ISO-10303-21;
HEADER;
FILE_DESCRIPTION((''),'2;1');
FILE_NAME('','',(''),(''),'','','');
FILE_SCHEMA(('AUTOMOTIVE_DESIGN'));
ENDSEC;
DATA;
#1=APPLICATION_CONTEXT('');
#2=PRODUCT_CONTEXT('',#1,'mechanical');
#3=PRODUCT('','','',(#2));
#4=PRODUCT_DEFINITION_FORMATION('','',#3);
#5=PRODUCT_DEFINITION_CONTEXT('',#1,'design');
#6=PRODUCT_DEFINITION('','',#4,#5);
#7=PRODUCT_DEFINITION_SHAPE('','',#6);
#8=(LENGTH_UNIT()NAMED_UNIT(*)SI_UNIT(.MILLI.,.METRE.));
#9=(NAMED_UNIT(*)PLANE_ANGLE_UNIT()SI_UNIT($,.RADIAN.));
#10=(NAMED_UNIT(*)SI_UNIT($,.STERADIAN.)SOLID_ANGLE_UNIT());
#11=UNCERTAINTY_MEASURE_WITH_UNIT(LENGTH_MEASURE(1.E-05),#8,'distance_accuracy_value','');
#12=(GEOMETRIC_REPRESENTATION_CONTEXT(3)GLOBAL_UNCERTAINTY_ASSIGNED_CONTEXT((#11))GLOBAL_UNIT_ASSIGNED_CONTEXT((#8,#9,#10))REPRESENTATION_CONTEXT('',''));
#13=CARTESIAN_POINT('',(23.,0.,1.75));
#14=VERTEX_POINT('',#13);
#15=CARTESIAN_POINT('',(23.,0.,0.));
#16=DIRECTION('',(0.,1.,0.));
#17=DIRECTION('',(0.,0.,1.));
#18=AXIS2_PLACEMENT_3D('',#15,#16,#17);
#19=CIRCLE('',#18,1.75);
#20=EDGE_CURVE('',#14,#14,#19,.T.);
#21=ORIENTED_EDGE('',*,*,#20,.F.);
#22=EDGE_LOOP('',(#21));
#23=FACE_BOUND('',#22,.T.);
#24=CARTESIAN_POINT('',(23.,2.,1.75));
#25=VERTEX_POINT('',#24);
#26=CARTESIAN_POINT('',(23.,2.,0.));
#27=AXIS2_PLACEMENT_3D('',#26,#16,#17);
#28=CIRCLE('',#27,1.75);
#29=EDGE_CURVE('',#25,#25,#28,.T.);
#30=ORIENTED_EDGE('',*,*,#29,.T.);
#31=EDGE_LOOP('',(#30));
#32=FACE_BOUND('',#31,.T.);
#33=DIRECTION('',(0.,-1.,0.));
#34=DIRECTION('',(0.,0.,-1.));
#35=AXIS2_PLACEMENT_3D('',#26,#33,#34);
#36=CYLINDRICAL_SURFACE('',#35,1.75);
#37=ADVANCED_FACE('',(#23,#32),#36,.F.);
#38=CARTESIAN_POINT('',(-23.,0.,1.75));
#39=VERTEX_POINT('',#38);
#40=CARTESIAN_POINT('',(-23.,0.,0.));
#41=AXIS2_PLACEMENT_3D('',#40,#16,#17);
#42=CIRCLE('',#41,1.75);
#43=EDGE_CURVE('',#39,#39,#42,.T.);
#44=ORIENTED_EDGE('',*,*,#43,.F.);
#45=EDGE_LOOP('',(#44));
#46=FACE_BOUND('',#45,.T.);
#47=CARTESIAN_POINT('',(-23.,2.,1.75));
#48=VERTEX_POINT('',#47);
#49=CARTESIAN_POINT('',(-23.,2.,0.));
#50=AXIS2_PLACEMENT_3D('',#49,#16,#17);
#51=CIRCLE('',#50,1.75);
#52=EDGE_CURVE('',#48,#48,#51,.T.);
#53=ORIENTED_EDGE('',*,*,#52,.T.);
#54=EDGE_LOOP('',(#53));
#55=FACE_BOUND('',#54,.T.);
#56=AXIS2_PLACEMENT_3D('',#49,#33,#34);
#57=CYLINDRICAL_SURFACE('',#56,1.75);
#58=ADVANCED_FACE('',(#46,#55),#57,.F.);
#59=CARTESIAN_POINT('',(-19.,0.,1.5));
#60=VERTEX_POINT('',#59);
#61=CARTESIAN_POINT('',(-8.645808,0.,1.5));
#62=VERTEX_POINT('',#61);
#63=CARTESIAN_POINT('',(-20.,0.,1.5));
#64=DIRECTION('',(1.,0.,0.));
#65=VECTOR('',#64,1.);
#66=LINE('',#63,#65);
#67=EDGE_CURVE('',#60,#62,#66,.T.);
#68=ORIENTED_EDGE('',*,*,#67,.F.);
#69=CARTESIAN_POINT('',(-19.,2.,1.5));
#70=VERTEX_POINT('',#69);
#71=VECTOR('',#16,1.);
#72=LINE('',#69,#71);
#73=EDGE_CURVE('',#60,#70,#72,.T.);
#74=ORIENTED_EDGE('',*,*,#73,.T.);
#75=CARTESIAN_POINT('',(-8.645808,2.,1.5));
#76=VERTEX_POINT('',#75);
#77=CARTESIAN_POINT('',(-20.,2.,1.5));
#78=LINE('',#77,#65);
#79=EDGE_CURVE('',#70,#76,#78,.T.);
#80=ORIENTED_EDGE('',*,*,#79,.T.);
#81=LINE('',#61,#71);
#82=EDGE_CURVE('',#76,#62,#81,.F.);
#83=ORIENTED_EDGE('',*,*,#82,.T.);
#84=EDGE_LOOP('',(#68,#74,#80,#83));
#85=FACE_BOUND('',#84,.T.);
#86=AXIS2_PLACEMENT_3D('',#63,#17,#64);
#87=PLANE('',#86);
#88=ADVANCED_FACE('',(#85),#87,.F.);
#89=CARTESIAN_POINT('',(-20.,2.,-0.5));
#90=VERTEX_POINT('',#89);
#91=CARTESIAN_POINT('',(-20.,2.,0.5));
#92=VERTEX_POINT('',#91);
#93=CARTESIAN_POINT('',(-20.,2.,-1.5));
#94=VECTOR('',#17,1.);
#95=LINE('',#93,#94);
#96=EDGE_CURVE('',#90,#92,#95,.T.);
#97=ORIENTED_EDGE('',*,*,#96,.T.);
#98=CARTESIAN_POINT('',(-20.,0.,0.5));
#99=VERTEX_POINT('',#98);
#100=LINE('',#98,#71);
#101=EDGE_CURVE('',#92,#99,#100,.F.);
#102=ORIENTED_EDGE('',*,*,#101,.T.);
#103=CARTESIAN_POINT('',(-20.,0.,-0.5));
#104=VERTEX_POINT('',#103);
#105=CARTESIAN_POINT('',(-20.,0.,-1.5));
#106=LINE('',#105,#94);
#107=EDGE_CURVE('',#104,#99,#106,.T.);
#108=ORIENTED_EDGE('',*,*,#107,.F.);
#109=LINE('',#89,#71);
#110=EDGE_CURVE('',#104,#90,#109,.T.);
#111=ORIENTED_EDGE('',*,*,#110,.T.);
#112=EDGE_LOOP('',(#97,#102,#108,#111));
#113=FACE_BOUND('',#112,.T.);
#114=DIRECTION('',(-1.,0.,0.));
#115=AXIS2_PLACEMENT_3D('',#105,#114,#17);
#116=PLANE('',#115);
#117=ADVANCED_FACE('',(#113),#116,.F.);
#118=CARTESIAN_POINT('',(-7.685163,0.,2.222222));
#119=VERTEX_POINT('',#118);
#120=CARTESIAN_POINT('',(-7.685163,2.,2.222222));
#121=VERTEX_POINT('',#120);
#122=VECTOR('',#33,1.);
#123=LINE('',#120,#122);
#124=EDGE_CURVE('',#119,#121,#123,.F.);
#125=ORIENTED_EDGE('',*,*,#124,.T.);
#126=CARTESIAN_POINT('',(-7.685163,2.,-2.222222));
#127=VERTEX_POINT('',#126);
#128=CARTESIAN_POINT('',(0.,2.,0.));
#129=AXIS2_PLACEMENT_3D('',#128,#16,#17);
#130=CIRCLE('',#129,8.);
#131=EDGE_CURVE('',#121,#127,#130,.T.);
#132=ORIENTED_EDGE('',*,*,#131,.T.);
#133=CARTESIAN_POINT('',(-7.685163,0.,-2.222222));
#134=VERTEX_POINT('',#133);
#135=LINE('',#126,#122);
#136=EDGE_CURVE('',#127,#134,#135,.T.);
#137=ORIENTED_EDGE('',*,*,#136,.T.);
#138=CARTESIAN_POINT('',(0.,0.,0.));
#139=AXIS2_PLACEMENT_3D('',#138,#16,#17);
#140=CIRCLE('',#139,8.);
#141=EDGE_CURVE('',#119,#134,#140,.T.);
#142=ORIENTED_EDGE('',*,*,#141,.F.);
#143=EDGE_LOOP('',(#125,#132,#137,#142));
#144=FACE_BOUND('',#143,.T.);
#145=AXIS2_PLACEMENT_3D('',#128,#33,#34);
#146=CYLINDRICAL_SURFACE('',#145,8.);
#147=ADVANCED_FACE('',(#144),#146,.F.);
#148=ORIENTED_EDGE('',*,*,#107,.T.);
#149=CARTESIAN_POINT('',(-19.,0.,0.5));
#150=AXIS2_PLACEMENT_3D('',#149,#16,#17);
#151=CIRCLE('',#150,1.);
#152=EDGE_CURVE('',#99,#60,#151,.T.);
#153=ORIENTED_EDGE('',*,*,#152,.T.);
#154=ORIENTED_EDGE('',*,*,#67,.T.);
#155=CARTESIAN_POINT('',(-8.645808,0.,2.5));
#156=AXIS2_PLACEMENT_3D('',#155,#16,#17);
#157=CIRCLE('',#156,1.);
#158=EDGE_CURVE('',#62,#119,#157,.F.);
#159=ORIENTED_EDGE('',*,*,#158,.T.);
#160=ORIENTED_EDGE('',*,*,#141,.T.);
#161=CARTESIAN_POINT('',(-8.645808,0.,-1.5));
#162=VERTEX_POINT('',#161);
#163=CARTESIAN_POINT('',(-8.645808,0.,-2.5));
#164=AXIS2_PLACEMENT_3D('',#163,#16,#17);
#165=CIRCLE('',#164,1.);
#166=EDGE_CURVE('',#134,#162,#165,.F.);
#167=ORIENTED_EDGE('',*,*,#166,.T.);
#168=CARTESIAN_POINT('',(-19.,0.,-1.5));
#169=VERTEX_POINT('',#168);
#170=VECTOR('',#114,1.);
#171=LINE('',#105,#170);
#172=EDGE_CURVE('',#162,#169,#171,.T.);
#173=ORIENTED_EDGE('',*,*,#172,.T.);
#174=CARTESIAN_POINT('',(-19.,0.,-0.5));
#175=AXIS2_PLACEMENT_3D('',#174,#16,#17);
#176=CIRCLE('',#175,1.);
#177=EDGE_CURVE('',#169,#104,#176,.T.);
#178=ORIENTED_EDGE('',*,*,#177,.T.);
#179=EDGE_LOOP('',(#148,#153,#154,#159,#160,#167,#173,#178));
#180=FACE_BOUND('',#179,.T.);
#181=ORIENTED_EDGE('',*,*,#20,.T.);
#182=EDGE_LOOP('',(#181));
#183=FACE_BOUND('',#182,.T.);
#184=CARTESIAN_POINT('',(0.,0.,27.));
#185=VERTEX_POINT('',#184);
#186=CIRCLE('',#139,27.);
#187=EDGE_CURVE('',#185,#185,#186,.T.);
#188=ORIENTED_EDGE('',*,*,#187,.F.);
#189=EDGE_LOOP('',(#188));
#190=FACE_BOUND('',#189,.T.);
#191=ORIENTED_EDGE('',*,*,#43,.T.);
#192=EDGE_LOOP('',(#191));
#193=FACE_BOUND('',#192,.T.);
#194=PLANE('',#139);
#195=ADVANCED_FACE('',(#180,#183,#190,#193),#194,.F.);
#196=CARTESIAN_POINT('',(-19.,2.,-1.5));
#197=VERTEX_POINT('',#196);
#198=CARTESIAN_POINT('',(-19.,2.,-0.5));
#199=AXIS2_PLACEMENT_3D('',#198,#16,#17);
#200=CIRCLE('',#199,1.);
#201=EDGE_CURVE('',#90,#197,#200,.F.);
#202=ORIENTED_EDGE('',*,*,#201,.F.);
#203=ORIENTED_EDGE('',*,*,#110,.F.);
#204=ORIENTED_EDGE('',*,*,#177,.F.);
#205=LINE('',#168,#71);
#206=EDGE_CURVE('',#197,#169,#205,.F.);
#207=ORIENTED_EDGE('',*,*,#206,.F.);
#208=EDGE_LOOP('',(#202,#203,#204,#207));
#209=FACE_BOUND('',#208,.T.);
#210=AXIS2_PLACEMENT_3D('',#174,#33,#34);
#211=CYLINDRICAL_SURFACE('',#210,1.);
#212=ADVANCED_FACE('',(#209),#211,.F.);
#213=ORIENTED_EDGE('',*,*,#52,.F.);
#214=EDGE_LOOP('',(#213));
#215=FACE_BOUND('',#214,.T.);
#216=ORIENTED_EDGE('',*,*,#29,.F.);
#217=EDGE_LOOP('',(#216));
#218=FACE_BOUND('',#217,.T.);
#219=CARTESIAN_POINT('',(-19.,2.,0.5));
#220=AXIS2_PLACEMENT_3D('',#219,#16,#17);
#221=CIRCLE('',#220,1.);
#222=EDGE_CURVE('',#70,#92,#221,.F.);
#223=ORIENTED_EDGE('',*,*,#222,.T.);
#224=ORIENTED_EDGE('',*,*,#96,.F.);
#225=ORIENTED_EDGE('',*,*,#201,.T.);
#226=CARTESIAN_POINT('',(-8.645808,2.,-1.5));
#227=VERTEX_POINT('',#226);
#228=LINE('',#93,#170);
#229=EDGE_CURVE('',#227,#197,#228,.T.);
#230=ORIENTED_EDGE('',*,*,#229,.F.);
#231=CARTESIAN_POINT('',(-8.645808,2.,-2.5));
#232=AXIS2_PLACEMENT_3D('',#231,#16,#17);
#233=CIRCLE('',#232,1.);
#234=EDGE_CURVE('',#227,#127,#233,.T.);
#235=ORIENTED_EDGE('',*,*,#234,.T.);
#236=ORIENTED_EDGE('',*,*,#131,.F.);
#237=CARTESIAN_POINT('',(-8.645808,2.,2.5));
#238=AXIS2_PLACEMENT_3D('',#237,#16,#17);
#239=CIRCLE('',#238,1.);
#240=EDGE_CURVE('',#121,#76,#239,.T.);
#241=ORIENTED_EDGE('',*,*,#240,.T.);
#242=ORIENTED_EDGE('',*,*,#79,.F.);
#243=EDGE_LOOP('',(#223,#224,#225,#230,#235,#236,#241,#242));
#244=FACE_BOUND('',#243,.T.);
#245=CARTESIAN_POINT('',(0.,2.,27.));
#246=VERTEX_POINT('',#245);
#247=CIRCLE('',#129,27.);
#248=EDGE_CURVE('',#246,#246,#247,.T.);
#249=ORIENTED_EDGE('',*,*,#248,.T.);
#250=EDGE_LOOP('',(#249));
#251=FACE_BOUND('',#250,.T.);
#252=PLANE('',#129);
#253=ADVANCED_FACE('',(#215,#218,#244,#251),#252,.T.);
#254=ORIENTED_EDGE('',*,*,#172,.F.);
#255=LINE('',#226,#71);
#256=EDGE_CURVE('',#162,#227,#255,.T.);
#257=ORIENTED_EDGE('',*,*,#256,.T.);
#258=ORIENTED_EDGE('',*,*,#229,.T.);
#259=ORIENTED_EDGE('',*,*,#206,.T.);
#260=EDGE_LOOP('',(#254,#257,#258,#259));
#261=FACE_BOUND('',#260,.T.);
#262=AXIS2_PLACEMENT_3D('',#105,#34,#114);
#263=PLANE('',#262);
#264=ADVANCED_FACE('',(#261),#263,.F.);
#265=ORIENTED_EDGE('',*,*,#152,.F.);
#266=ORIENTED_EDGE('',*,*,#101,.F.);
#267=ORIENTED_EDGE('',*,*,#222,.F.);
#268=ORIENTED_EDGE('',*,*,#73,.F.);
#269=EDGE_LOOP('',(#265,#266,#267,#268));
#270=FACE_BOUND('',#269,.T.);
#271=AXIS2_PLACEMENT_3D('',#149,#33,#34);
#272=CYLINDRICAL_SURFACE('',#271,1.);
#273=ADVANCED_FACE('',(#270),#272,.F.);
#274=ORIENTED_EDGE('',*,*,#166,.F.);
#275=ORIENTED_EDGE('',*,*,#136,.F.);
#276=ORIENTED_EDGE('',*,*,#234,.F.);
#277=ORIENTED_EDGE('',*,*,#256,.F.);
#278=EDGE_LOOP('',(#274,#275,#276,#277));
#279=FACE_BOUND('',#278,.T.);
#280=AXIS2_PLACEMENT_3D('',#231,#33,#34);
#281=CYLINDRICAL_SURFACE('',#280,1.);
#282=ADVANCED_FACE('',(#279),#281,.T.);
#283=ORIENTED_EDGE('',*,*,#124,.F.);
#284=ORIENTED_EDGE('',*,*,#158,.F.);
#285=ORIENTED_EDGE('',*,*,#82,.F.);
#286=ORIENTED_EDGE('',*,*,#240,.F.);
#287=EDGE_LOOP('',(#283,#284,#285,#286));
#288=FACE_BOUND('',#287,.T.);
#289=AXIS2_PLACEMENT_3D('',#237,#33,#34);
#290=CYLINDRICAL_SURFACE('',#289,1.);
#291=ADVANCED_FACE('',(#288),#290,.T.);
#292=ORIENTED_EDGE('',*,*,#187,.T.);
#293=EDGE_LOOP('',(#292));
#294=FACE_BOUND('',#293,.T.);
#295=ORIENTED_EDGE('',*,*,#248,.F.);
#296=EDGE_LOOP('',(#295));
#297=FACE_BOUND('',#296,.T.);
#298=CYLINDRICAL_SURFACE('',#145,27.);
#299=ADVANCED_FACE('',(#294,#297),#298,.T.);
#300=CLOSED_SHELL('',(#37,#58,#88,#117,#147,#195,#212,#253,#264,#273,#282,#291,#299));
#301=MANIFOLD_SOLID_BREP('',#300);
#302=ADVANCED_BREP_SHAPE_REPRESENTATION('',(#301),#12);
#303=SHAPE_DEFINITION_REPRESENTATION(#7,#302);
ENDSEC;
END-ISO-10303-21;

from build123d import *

# Parameters (mm, degrees)
SKETCH1_R           = 27
SKETCH1_R_2         = 8
SKETCH1_R_3         = 1.75
BOSS_EXTRUDE1_DEPTH = 2
SKETCH2_W           = 15
SKETCH2_H           = 3
CUT_EXTRUDE1_DEPTH  = 39.236108589
FILLET1_R           = 1


with BuildPart() as part:
    # Sketch1 → Boss-Extrude1 (new body)
    with BuildSketch(Plane(origin=(0, 0, 0), x_dir=(1, 0, 0), z_dir=(0, 1, 0))):
        with Locations(Location((0, 0, 0), (0, 0, 270))):
            Circle(SKETCH1_R)
        with Locations(Location((0, 0, 0), (0, 0, 270))):
            Circle(SKETCH1_R_2, mode=Mode.SUBTRACT)
        with Locations(Location((-23, 0, 0), (0, 0, 270))):
            Circle(SKETCH1_R_3, mode=Mode.SUBTRACT)
        with Locations(Location((23, 0, 0), (0, 0, 270))):
            Circle(SKETCH1_R_3, mode=Mode.SUBTRACT)
    extrude(amount=BOSS_EXTRUDE1_DEPTH)

    # Sketch2 → Cut-Extrude1 (cut, through all)
    with BuildSketch(Plane(origin=(0, 2, 0), x_dir=(1, 0, 0), z_dir=(0, 1, 0))):
        with Locations((-12.5, 0)):
            Rectangle(SKETCH2_W, SKETCH2_H)
    extrude(amount=-CUT_EXTRUDE1_DEPTH, mode=Mode.SUBTRACT)

    # Fillet1
    fillet1_edges = [part.edges().sort_by_distance(p)[0] for p in [
        (-7.858116823, 1, 1.5),
        (-7.858116823, 1, -1.5),
        (-20, 1, 1.5),
        (-20, 1, -1.5),
    ]]
    fillet(fillet1_edges, radius=FILLET1_R)


solid = part.part
